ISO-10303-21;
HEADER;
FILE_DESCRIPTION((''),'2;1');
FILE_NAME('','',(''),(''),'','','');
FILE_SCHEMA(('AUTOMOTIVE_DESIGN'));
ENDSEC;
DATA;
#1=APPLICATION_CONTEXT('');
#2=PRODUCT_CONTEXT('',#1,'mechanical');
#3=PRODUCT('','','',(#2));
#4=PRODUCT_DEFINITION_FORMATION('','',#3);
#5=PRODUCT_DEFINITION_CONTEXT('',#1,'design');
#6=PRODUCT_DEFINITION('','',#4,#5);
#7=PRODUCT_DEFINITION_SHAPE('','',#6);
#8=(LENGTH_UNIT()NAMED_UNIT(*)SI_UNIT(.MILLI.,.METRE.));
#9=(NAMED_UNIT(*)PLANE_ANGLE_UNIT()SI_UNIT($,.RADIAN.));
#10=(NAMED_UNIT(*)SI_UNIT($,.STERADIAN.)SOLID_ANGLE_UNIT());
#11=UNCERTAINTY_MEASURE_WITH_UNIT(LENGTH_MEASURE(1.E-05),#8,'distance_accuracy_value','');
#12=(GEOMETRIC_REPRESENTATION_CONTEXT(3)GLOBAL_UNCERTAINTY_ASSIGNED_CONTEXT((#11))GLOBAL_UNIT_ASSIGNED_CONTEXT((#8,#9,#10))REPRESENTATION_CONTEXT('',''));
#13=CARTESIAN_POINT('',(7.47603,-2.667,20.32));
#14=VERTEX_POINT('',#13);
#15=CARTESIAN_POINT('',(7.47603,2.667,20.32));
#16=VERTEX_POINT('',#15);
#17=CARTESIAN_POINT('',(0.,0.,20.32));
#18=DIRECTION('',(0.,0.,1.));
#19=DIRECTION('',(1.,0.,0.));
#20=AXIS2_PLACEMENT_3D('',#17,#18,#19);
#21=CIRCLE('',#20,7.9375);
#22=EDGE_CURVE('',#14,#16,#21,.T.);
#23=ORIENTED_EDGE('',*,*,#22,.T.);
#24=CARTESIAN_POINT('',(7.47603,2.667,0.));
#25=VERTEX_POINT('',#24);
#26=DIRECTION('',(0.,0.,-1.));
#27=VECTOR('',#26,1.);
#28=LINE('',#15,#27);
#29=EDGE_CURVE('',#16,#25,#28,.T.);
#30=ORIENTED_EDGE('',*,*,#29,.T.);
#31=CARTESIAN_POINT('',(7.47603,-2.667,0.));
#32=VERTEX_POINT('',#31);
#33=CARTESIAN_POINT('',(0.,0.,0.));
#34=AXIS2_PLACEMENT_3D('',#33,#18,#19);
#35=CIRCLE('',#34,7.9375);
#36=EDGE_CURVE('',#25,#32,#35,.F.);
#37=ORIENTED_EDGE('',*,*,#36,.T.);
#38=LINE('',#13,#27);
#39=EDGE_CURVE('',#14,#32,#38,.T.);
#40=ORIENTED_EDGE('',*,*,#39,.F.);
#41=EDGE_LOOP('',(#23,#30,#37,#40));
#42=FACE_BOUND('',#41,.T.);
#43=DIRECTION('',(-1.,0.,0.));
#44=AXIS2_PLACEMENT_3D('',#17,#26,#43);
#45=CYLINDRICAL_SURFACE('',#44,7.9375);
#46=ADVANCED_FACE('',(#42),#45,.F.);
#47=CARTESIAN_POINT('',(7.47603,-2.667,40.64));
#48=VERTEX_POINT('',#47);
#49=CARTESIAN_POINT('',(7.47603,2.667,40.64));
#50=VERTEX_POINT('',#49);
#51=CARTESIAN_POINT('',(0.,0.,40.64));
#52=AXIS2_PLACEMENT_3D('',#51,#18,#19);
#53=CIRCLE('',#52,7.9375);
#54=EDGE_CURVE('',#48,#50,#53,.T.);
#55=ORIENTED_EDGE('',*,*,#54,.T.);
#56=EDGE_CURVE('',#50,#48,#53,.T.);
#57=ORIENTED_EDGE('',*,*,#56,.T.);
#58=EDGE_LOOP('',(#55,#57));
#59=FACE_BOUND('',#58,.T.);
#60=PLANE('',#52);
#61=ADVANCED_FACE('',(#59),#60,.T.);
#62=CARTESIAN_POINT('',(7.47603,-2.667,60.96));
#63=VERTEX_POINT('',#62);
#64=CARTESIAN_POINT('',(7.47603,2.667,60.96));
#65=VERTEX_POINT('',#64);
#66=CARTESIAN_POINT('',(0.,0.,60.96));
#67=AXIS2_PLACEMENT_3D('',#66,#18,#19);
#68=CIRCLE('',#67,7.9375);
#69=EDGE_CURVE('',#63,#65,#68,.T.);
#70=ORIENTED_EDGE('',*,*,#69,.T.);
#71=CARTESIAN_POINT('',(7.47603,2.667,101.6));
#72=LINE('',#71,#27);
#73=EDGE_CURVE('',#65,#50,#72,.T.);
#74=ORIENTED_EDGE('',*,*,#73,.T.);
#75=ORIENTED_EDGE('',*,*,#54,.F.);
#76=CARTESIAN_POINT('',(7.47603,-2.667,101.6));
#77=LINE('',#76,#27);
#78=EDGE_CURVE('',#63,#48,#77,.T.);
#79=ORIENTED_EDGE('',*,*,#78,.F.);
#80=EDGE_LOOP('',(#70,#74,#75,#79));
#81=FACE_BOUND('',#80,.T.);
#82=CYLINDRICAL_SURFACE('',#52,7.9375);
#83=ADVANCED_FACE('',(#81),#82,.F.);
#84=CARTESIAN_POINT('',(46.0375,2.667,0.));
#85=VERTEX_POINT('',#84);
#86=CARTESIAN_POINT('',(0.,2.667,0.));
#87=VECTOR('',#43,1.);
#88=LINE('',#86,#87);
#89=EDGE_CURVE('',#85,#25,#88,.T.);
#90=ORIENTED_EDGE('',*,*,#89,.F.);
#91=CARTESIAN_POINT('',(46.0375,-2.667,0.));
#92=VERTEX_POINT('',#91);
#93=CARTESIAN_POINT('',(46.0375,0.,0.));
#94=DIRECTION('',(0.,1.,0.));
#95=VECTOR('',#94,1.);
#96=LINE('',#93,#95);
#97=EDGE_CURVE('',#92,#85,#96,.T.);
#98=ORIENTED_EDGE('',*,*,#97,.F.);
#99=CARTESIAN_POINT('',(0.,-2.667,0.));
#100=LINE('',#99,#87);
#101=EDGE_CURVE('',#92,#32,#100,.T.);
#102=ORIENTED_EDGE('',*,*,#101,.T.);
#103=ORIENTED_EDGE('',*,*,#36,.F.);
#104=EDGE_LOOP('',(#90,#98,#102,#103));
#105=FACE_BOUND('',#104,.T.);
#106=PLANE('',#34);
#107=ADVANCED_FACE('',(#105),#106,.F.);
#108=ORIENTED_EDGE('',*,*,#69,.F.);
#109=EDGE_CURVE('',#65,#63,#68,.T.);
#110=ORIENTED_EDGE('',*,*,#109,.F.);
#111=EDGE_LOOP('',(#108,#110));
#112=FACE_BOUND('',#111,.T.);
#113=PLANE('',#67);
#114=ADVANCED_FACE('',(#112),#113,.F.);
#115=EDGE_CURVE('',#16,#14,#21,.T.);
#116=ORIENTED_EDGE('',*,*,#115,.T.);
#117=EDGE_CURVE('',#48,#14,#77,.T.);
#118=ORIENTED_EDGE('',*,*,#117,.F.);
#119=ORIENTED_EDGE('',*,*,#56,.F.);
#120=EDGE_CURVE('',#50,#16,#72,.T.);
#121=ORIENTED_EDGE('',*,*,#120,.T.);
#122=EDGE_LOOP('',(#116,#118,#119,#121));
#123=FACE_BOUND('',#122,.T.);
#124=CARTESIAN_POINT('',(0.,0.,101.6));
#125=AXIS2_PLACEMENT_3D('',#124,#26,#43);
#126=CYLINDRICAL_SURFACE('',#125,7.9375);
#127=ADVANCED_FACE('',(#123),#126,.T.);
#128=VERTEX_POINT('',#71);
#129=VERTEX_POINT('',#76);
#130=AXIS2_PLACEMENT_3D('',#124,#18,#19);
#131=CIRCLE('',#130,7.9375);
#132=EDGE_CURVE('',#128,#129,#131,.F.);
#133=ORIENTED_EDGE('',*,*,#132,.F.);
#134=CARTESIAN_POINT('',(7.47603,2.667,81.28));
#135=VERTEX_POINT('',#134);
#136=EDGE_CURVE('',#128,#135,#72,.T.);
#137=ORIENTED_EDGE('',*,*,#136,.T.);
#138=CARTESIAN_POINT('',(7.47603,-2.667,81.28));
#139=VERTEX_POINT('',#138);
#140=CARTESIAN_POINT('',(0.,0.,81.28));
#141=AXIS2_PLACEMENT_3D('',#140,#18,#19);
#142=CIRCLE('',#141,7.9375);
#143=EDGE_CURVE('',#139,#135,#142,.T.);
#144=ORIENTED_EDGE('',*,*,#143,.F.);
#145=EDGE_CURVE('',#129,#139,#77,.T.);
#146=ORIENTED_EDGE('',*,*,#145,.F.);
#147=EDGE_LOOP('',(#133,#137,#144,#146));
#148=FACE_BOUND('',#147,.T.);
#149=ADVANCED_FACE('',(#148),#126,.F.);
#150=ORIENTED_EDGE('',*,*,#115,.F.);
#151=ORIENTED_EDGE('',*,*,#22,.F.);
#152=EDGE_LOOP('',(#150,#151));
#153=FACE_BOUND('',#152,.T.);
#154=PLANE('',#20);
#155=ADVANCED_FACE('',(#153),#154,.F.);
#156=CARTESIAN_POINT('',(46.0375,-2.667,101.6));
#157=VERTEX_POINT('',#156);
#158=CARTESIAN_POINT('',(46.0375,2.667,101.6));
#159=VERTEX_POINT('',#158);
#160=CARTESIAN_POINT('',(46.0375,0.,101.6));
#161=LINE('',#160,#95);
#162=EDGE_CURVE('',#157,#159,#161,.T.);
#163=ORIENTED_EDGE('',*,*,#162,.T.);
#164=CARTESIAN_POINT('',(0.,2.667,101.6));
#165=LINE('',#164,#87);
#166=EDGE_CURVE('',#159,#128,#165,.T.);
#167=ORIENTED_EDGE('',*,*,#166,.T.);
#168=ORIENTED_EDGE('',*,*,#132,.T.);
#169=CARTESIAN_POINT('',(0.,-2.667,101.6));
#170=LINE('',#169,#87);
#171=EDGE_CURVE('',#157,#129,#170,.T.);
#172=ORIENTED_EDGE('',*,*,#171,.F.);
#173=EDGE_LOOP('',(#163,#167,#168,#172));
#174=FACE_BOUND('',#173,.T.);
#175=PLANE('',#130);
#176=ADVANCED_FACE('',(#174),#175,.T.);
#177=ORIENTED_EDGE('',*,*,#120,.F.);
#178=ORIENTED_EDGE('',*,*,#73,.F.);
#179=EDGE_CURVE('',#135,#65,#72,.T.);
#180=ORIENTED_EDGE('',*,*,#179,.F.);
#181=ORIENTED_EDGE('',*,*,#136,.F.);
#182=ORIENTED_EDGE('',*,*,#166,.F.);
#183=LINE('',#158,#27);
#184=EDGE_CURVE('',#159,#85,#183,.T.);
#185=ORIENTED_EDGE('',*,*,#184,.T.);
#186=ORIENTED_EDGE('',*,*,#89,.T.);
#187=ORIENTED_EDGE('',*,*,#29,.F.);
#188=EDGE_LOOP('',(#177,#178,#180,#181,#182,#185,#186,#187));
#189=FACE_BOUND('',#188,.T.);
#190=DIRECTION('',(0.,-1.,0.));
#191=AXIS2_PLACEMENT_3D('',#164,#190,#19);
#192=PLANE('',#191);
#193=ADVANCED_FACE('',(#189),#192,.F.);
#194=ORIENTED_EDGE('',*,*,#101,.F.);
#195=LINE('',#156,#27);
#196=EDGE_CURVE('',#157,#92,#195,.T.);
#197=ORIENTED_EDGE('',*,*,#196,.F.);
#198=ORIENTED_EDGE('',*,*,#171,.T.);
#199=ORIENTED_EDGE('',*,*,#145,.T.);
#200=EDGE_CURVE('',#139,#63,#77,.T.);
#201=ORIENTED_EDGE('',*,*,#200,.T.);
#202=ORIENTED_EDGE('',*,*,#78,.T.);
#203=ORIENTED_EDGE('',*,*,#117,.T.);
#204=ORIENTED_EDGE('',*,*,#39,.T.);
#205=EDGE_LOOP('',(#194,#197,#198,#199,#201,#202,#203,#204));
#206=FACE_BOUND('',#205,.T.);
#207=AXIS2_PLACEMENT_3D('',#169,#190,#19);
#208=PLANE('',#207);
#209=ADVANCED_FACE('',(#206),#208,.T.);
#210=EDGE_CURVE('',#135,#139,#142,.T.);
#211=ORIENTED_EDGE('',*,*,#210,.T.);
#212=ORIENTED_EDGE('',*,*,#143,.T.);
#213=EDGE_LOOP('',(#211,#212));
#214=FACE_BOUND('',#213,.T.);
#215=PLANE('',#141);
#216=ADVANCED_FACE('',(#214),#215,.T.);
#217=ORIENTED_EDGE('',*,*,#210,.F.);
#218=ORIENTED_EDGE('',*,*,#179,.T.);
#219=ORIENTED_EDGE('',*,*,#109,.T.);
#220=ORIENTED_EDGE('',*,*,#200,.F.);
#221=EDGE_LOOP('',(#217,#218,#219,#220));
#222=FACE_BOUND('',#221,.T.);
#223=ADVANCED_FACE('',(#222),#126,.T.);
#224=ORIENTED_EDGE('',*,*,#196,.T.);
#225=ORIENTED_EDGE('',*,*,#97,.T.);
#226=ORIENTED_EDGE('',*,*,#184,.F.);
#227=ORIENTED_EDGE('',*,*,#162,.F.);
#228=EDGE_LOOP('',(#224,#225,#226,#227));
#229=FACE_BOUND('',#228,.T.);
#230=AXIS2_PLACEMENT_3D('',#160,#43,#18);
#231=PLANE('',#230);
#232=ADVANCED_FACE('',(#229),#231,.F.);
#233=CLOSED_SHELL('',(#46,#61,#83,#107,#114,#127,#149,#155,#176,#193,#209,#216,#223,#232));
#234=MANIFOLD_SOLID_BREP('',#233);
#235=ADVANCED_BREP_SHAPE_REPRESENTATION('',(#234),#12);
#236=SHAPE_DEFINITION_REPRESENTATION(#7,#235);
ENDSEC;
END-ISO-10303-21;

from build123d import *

# Parameters (mm, degrees)
BOSS_EXTRUDE1_DEPTH = 101.6
CUT_EXTRUDE1_DEPTH  = 20.32
CUT_EXTRUDE2_START  = 40.64
CUT_EXTRUDE2_DEPTH  = 20.32
CUT_EXTRUDE3_START  = 81.28
CUT_EXTRUDE3_DEPTH  = 20.32


with BuildPart() as part:
    # Sketch1 → Boss-Extrude1 (new body)
    with BuildSketch(Plane.XY):
        with BuildLine():
            Line((46.0375, 2.667), (7.476029511, 2.667))
            ThreePointArc((7.476029511, 2.667), (-7.9375, 0), (7.476029511, -2.667))
            Line((7.476029511, -2.667), (46.0375, -2.667))
            Line((46.0375, -2.667), (46.0375, 2.667))
        make_face()
    extrude(amount=BOSS_EXTRUDE1_DEPTH)

    # Sketch1_3 → Cut-Extrude1 (cut)
    with BuildSketch(Plane.XY):
        with BuildLine():
            ThreePointArc((7.476029511, 2.667), (-7.9375, 0), (7.476029511, -2.667))
            ThreePointArc((7.476029511, -2.667), (7.82128156, -1.35331482), (7.9375, 0))
            ThreePointArc((7.9375, 0), (7.82128156, 1.35331482), (7.476029511, 2.667))
        make_face()
    extrude(amount=CUT_EXTRUDE1_DEPTH, mode=Mode.SUBTRACT)

    # Sketch1_5 → Cut-Extrude2 (cut)
    with BuildSketch(Plane.XY.offset(CUT_EXTRUDE2_START)):
        with BuildLine():
            ThreePointArc((7.476029511, 2.667), (-7.9375, 0), (7.476029511, -2.667))
            ThreePointArc((7.476029511, -2.667), (7.82128156, -1.35331482), (7.9375, 0))
            ThreePointArc((7.9375, 0), (7.82128156, 1.35331482), (7.476029511, 2.667))
        make_face()
    extrude(amount=CUT_EXTRUDE2_DEPTH, mode=Mode.SUBTRACT)

    # Sketch1_6 → Cut-Extrude3 (cut)
    with BuildSketch(Plane.XY.offset(CUT_EXTRUDE3_START)):
        with BuildLine():
            ThreePointArc((7.476029511, 2.667), (-7.9375, 0), (7.476029511, -2.667))
            ThreePointArc((7.476029511, -2.667), (7.82128156, -1.35331482), (7.9375, 0))
            ThreePointArc((7.9375, 0), (7.82128156, 1.35331482), (7.476029511, 2.667))
        make_face()
    extrude(amount=CUT_EXTRUDE3_DEPTH, mode=Mode.SUBTRACT)


solid = part.part
